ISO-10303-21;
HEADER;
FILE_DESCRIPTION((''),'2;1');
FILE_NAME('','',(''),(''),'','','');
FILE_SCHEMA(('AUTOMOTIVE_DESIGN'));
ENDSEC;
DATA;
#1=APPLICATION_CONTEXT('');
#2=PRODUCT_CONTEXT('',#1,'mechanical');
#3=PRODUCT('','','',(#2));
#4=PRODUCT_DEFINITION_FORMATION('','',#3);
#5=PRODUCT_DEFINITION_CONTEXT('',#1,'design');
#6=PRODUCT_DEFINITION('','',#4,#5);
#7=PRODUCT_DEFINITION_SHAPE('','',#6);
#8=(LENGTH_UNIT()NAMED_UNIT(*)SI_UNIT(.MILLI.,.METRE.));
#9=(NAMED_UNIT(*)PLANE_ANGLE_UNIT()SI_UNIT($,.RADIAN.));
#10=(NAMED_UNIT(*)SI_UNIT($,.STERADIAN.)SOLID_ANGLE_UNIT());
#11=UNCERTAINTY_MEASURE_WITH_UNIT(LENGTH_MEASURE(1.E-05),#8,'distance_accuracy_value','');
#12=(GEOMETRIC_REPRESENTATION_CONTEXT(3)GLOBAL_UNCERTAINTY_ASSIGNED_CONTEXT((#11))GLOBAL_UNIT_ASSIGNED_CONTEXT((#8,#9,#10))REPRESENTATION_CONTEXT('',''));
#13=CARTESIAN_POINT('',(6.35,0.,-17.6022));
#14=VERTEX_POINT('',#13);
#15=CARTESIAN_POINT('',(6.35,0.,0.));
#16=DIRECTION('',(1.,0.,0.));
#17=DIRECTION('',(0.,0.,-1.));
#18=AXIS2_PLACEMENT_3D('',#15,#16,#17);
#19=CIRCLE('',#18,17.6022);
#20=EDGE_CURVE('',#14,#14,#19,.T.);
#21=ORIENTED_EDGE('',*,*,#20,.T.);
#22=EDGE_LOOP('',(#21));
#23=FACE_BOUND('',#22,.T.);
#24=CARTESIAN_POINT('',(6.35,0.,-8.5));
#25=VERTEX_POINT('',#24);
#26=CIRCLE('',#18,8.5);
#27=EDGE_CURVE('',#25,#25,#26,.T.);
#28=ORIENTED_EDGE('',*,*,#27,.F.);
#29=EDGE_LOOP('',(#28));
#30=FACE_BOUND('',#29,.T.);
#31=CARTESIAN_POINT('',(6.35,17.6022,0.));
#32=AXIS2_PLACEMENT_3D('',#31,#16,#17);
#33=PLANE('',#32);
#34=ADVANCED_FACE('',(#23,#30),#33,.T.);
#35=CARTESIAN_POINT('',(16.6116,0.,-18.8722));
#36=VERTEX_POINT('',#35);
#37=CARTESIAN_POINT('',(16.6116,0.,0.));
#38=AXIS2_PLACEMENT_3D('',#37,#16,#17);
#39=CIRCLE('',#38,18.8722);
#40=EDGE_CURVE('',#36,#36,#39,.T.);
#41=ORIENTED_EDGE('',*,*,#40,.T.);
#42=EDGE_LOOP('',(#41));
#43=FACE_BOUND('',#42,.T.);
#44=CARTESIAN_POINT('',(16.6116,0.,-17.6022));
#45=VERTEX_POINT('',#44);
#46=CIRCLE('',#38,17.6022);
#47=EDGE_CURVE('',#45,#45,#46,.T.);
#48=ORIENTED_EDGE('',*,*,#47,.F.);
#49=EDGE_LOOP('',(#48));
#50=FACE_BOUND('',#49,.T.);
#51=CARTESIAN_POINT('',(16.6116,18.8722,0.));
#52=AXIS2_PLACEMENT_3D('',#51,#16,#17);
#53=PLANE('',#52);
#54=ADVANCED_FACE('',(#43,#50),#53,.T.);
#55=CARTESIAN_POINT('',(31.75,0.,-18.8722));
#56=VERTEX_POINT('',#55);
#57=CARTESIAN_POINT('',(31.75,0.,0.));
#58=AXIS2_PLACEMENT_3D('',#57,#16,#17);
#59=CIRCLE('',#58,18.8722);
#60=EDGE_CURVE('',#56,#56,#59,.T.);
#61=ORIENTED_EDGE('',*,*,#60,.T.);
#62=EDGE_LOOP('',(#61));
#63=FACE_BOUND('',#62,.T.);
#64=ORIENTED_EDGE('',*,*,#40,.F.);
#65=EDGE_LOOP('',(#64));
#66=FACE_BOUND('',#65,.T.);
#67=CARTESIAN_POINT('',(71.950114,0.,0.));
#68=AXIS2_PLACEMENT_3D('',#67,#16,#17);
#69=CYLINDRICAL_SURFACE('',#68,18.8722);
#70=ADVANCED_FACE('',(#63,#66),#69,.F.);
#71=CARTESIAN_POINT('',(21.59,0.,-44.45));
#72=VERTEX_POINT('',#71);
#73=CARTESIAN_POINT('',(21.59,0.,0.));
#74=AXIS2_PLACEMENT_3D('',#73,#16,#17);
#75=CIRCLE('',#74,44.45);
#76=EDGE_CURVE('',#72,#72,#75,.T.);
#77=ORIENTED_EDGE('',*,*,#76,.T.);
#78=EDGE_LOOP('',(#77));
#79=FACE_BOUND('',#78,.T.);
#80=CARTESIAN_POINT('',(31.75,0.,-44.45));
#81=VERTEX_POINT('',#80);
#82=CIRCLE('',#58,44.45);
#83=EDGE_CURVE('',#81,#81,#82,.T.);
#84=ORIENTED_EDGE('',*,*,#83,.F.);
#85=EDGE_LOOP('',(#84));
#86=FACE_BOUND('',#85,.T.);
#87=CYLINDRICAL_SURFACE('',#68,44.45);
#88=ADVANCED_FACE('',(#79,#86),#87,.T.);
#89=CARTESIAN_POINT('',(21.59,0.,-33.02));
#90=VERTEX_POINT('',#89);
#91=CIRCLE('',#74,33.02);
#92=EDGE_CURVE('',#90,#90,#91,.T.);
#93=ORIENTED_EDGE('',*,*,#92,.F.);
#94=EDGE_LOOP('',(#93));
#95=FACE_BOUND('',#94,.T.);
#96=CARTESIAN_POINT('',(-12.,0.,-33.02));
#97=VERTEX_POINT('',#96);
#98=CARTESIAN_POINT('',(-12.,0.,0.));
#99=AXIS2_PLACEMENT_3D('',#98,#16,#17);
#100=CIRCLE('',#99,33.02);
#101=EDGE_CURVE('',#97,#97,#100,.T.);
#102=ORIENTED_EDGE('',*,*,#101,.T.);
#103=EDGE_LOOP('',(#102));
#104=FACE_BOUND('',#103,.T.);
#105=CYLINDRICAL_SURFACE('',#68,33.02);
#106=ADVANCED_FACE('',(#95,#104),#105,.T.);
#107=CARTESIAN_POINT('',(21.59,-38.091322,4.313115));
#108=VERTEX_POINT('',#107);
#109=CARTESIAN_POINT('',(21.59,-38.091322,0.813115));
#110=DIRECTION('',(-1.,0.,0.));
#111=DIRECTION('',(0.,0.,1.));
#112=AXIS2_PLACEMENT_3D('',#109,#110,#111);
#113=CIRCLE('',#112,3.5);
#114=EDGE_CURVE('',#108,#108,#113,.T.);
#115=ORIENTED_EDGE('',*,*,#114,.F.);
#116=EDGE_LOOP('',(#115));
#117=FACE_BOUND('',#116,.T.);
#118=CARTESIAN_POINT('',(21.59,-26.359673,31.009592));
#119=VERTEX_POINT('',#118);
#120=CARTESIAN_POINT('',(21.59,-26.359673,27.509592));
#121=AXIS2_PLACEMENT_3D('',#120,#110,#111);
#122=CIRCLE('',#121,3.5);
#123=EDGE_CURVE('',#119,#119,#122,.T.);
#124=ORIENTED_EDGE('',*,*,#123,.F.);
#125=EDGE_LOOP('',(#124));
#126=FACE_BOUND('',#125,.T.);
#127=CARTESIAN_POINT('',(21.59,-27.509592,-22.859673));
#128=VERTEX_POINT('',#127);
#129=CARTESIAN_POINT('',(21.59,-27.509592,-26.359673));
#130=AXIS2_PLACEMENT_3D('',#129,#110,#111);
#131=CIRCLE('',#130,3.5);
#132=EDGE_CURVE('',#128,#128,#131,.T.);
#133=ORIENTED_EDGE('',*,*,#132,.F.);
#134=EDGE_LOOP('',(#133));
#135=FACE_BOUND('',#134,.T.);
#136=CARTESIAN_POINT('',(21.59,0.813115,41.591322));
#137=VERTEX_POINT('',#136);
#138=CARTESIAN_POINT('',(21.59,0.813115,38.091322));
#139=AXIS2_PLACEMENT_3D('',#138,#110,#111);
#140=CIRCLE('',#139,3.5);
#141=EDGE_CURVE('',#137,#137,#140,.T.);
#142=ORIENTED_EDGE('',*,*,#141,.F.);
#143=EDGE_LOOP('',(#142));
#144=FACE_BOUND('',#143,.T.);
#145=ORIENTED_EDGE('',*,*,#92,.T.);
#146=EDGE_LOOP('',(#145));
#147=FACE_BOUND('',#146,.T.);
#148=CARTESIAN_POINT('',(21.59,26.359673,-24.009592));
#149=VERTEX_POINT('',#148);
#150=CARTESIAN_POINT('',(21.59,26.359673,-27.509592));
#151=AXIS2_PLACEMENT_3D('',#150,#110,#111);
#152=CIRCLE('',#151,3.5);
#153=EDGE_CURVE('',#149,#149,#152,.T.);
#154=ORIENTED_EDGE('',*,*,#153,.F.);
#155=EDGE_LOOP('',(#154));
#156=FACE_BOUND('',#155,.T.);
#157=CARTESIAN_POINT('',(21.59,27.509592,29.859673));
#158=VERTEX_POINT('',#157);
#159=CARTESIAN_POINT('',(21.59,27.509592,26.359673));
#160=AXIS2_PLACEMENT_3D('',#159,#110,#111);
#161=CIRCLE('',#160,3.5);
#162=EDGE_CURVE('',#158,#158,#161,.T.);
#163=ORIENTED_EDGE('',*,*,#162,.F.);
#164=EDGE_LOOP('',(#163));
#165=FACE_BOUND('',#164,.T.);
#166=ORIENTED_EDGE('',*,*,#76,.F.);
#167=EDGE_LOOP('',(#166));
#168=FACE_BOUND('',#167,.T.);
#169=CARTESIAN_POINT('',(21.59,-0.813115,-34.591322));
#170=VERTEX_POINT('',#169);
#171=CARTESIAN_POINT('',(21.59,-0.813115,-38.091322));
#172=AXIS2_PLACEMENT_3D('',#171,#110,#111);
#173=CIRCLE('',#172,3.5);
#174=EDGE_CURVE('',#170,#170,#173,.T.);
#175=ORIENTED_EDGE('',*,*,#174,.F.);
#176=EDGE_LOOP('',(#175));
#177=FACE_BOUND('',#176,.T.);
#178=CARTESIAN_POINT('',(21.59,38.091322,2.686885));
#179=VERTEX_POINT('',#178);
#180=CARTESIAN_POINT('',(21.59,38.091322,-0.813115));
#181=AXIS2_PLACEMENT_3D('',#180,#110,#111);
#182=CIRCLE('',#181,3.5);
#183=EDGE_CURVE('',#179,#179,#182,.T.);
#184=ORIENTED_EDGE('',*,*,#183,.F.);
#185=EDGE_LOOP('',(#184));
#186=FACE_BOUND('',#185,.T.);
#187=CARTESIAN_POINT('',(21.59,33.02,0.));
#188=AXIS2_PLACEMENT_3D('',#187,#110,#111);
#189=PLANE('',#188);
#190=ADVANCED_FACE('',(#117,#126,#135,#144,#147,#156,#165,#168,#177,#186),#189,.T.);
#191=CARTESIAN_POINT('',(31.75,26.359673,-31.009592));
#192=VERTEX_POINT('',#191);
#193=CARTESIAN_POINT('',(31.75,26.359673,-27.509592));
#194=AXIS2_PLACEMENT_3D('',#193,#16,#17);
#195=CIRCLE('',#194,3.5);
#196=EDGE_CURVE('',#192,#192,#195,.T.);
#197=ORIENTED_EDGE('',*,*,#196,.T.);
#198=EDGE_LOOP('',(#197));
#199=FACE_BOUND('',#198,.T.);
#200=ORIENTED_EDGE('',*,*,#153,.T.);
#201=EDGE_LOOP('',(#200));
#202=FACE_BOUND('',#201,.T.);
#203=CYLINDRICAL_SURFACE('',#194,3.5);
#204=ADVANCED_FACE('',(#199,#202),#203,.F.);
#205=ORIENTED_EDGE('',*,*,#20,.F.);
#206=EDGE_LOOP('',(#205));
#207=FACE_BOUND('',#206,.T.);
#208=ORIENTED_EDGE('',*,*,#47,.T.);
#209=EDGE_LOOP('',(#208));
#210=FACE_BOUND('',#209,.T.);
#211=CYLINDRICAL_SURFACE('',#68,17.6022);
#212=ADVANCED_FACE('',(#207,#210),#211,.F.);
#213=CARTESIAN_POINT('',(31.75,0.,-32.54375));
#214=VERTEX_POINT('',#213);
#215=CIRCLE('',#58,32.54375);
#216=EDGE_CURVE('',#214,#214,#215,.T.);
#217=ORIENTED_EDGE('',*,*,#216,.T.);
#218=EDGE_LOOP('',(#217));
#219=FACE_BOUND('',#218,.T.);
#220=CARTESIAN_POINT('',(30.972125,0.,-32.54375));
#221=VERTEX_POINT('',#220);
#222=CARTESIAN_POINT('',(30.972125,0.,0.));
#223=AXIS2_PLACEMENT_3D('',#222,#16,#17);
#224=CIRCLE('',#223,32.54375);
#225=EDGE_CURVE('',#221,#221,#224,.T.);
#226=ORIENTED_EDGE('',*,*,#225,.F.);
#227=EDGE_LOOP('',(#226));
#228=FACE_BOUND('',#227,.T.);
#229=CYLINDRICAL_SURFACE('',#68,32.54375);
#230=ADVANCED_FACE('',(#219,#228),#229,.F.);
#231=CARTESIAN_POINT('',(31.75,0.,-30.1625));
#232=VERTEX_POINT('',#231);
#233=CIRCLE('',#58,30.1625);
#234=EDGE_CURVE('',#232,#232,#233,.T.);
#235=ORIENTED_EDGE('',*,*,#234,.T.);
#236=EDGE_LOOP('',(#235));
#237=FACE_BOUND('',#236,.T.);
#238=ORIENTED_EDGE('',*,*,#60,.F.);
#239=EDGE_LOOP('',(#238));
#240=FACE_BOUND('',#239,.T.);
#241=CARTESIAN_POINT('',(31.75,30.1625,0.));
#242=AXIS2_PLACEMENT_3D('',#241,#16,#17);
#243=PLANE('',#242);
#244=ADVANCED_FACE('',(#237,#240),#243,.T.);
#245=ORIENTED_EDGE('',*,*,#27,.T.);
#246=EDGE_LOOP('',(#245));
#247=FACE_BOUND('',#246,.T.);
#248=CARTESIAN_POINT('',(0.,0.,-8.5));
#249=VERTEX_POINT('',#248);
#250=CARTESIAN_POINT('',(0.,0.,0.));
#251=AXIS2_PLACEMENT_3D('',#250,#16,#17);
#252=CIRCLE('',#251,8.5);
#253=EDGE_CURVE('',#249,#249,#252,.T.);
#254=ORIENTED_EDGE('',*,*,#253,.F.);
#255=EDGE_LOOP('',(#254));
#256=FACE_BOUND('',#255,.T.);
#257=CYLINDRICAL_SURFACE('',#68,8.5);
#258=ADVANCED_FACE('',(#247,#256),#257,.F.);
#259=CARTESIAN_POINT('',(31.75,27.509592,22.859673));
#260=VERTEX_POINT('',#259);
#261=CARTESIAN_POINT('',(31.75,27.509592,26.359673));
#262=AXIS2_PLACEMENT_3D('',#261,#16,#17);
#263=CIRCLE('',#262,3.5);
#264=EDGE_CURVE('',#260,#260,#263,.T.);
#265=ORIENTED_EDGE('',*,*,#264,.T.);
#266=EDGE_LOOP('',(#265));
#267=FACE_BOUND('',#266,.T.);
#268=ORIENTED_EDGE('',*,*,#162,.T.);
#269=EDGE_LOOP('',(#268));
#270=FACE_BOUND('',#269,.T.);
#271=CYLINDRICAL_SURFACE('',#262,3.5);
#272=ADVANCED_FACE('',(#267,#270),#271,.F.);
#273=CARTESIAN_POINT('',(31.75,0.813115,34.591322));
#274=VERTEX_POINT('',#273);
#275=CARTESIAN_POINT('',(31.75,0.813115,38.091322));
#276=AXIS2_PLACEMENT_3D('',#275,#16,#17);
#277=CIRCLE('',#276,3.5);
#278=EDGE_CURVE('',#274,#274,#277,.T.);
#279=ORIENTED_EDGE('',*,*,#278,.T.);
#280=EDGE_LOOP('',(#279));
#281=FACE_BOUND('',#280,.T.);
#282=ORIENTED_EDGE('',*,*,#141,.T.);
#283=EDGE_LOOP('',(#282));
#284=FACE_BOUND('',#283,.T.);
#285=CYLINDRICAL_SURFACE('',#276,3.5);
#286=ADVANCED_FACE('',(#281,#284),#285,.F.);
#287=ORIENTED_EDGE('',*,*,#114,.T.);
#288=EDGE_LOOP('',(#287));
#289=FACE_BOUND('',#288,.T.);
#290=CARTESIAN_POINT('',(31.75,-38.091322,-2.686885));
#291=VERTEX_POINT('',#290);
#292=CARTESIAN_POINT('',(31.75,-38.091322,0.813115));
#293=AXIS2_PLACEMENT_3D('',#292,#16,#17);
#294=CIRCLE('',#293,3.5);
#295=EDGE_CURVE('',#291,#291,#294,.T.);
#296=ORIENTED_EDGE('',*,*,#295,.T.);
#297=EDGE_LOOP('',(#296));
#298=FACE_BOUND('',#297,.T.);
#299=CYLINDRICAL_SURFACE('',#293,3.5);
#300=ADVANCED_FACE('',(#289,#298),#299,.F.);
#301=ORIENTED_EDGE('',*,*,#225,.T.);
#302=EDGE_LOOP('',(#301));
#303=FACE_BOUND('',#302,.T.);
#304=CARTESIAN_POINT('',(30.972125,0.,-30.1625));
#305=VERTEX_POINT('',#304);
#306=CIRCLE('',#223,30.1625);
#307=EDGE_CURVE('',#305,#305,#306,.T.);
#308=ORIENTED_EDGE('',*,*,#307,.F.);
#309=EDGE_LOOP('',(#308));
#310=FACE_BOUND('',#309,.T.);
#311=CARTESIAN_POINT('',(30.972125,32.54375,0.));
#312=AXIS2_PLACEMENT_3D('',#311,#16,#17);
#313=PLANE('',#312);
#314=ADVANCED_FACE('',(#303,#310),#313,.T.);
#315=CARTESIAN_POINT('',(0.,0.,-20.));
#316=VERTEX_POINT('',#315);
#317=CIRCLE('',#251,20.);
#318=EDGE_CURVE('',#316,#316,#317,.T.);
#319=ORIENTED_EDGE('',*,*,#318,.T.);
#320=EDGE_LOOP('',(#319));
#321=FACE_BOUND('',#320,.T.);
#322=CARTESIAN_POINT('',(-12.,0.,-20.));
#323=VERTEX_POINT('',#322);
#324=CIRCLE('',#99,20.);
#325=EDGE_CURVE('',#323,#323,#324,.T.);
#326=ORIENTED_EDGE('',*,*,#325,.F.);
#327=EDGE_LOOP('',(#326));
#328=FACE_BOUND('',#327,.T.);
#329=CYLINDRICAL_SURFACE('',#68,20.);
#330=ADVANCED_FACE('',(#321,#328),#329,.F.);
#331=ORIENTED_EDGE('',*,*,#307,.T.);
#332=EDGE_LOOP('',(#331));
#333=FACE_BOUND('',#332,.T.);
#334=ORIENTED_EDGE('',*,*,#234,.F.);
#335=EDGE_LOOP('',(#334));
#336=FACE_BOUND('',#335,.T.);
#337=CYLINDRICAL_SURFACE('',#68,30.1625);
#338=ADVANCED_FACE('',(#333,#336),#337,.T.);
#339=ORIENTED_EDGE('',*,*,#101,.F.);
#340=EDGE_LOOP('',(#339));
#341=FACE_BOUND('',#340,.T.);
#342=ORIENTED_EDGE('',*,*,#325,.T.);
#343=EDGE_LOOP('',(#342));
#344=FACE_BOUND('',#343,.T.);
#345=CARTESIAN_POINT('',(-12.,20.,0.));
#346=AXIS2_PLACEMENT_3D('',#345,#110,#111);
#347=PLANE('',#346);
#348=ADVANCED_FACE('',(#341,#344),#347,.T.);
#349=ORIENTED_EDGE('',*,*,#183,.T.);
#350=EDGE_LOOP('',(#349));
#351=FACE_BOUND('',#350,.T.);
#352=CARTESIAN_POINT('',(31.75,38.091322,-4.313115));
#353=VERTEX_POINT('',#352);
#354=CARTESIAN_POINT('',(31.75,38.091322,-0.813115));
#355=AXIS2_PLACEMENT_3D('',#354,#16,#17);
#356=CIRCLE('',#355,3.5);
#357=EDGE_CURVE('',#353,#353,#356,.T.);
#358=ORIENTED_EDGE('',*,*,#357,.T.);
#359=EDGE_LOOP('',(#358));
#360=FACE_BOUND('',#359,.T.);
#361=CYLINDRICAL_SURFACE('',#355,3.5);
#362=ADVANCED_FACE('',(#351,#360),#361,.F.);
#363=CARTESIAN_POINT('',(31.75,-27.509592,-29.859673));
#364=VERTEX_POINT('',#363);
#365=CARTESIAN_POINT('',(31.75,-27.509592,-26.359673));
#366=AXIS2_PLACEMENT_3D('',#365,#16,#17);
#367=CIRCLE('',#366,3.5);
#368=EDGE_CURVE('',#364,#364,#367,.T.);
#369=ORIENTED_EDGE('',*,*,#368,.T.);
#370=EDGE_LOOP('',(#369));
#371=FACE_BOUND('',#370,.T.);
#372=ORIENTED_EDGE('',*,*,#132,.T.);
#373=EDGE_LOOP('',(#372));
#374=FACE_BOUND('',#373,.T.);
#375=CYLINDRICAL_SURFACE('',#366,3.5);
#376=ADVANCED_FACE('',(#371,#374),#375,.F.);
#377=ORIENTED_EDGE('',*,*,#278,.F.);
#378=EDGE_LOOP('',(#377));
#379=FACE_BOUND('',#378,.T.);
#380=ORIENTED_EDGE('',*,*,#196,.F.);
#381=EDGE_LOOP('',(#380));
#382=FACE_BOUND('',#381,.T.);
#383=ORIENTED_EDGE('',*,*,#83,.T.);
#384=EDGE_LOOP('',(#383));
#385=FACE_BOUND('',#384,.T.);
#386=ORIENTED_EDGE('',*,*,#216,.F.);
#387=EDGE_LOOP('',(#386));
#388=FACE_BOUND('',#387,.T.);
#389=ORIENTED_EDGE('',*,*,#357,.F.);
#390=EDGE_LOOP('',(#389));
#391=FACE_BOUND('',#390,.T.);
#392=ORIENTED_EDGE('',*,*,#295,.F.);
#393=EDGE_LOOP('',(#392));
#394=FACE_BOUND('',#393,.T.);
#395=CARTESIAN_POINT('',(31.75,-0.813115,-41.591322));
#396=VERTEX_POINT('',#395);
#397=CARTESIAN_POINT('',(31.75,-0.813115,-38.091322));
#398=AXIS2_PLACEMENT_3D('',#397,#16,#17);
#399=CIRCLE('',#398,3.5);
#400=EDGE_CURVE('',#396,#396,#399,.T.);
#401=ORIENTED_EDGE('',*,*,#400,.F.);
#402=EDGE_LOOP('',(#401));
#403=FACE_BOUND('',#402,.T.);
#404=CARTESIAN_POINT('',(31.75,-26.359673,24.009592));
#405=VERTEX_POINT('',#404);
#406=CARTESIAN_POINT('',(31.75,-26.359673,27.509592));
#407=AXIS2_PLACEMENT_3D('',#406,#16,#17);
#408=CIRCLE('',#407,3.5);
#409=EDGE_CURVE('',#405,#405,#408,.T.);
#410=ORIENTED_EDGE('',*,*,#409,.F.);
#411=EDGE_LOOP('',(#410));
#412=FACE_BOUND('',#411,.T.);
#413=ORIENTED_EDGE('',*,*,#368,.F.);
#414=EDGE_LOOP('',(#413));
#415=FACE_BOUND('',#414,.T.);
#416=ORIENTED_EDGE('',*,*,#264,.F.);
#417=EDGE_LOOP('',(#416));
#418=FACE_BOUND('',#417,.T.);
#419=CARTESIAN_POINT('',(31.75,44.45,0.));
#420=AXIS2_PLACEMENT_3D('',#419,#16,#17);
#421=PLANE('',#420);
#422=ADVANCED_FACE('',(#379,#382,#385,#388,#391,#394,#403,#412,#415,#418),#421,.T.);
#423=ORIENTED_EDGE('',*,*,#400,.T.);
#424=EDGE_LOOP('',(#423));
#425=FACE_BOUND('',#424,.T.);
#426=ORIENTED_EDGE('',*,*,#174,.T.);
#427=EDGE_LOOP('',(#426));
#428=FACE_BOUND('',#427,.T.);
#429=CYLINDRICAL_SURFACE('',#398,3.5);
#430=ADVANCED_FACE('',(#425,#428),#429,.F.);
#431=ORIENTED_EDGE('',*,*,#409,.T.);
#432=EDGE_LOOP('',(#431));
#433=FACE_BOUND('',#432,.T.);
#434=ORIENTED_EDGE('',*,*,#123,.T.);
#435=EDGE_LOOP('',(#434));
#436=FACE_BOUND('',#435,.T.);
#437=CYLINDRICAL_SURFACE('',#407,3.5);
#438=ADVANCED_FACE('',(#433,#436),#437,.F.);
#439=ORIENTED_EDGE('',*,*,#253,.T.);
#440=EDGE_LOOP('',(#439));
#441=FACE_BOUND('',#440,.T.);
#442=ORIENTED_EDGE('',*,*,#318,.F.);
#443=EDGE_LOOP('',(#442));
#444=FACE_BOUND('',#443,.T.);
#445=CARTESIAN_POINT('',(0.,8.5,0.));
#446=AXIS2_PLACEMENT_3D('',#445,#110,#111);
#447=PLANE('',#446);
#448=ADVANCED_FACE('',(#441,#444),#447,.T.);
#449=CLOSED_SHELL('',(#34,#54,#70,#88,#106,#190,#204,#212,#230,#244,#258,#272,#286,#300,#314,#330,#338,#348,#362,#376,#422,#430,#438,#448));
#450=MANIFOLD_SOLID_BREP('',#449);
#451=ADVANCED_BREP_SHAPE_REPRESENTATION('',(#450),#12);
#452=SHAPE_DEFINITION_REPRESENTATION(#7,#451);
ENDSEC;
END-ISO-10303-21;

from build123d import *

# Parameters (mm, degrees)
M6_CLEARANCE_HOLE1_D = 7


with BuildPart() as part:
    # Main sketch → Revolve1 (revolve)
    with BuildSketch(Plane.XY, mode=Mode.PRIVATE) as revolve1_sk:
        Polygon((0, 8.500000018), (0, 20.000000005), (-11.999999876, 20.000000005), (-11.999999876, 33.02), (21.59, 33.02), (21.59, 44.45), (31.75, 44.45), (31.75, 32.54375), (30.972125, 32.54375), (30.972125, 30.1625), (31.75, 30.1625), (31.75, 18.8722), (16.6116, 18.8722), (16.6116, 17.6022), (6.35, 17.6022), (6.35, 8.500000018), align=None)
    revolve(revolve1_sk.sketch.rotate(Axis((71.950113838, 0, 0), (-1, 0, 0)), 90), axis=Axis((71.950113838, 0, 0), (-1, 0, 0)))

    # M6 Clearance Hole1 (through all)
    with Locations(Plane(origin=(31.75, 0, 0), x_dir=(0, 0, -1), z_dir=(1, 0, 0))):
        with Locations((0, 0), (-38.091322418, 0.813115257), (-27.509591698, -26.359673074), (-0.813115257, -38.091322418), (26.359673074, -27.509591698), (38.091322418, -0.813115257), (27.509591698, 26.359673074), (0.813115257, 38.091322418), (-26.359673074, 27.509591698)):
            Hole(M6_CLEARANCE_HOLE1_D / 2)


solid = part.part
